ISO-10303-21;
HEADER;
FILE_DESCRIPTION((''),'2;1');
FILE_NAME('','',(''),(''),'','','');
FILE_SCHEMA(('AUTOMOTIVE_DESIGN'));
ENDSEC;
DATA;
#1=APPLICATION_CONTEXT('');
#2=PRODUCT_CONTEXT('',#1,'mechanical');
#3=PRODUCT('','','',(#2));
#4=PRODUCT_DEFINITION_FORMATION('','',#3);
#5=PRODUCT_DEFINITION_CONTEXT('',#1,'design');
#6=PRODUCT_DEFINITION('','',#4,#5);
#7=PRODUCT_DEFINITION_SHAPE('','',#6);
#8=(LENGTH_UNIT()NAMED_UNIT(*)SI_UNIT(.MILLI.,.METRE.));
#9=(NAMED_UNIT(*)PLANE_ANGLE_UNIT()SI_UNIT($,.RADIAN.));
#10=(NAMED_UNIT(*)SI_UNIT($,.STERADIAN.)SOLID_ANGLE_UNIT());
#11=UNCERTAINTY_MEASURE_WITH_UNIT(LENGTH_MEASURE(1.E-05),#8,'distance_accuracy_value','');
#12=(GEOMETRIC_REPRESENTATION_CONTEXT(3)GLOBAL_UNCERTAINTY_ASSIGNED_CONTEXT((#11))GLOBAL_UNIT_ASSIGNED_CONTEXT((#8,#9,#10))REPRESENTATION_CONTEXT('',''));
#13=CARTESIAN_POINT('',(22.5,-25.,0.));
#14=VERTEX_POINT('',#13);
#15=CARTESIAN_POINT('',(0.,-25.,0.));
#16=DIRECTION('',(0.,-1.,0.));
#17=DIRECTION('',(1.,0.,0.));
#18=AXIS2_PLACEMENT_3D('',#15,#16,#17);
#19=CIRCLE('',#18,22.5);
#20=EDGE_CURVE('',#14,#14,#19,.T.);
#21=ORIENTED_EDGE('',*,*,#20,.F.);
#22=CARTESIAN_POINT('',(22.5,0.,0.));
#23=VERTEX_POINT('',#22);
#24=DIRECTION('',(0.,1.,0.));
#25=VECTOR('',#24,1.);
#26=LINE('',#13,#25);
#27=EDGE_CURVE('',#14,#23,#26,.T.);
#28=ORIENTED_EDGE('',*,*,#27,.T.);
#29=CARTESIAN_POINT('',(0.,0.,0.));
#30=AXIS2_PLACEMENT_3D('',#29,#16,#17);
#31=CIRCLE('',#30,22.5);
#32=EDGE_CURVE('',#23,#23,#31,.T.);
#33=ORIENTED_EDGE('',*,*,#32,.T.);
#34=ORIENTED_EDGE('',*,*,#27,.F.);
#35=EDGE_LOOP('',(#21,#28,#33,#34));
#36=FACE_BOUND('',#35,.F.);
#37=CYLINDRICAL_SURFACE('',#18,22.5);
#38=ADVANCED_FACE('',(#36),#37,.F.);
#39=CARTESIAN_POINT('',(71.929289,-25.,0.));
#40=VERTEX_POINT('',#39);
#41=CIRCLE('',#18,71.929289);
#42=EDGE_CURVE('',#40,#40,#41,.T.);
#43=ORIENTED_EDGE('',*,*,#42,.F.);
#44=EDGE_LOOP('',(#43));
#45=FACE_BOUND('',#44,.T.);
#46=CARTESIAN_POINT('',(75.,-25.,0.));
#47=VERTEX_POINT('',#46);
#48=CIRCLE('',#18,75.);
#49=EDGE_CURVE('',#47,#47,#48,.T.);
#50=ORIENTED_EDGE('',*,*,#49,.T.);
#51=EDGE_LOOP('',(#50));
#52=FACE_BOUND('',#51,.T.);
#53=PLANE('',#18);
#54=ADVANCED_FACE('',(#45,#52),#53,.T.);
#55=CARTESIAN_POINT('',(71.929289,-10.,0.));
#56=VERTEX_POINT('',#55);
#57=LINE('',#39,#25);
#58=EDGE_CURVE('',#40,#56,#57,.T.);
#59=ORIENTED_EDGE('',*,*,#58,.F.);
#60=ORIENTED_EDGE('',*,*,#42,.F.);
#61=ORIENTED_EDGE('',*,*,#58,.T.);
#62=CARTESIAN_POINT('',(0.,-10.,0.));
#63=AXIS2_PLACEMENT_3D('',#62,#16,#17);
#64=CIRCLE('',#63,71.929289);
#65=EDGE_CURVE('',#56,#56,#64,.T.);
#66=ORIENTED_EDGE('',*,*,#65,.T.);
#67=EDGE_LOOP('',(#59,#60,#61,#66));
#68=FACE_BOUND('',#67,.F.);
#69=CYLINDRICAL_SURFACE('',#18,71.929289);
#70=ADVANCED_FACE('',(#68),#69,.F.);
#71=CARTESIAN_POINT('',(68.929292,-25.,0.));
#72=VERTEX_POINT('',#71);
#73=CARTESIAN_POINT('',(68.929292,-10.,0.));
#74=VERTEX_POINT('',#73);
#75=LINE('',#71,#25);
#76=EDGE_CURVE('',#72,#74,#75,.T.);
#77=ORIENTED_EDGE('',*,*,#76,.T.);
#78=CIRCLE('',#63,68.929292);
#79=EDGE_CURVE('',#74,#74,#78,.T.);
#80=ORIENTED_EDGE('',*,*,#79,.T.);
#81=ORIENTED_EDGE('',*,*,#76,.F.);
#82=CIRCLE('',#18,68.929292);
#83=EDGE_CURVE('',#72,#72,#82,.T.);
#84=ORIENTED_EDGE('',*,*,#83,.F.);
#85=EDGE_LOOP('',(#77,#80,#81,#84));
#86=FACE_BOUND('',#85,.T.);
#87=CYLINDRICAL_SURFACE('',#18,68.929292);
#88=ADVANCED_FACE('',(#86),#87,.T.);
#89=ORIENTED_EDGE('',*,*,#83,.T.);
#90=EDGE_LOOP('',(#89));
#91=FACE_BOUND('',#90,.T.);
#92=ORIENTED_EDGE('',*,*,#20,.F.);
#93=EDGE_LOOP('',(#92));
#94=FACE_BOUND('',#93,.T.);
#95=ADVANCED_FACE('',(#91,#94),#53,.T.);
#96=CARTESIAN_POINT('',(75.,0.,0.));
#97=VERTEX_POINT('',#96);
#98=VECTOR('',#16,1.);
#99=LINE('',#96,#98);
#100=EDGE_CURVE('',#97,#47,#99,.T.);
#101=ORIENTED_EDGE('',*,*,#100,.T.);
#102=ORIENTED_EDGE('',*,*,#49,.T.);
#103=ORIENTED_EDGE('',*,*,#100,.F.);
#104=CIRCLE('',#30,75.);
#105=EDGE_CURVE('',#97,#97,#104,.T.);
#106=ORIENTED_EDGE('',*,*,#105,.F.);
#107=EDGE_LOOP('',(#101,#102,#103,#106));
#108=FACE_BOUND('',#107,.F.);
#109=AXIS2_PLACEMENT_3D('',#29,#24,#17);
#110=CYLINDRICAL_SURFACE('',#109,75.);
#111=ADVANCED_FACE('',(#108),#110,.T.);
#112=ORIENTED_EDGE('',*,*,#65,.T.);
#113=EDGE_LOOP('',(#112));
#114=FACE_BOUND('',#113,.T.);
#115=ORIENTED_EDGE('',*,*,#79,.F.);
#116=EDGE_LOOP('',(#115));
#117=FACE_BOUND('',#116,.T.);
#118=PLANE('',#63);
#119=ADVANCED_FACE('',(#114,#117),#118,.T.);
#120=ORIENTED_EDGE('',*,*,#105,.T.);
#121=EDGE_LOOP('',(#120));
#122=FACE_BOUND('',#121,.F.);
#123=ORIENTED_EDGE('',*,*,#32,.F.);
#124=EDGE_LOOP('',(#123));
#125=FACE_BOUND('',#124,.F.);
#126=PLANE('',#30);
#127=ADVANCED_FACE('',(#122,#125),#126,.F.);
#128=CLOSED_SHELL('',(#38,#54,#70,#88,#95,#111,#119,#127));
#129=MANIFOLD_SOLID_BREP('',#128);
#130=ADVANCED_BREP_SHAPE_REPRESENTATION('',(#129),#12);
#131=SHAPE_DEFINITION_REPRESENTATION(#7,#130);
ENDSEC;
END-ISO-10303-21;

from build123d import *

# Parameters (mm, degrees)
F0_R     = 75
F0_R_2   = 20.666788
F1_DEPTH = 25
F2_R     = 22.5
F3_DEPTH = 25.001
F4_R     = 71.929289
F4_R_2   = 68.929292
F5_DEPTH = 15


with BuildPart() as f1:
    # F0 (on Front) → F1 (new body)
    with BuildSketch(Plane.XZ):
        Circle(F0_R)
        Circle(F0_R_2, mode=Mode.SUBTRACT)
        Circle(F0_R_2)
    extrude(amount=F1_DEPTH)

    # F2 (on face) → F3 (cut, through all)
    with BuildSketch(Plane.XZ.offset(25)):
        Circle(F2_R)
    extrude(amount=-F3_DEPTH, mode=Mode.SUBTRACT)

    # F4 (on face) → F5 (cut)
    with BuildSketch(Plane.XZ.offset(25)):
        Circle(F4_R)
        Circle(F4_R_2, mode=Mode.SUBTRACT)
    extrude(amount=-F5_DEPTH, mode=Mode.SUBTRACT)


solid = f1.part
